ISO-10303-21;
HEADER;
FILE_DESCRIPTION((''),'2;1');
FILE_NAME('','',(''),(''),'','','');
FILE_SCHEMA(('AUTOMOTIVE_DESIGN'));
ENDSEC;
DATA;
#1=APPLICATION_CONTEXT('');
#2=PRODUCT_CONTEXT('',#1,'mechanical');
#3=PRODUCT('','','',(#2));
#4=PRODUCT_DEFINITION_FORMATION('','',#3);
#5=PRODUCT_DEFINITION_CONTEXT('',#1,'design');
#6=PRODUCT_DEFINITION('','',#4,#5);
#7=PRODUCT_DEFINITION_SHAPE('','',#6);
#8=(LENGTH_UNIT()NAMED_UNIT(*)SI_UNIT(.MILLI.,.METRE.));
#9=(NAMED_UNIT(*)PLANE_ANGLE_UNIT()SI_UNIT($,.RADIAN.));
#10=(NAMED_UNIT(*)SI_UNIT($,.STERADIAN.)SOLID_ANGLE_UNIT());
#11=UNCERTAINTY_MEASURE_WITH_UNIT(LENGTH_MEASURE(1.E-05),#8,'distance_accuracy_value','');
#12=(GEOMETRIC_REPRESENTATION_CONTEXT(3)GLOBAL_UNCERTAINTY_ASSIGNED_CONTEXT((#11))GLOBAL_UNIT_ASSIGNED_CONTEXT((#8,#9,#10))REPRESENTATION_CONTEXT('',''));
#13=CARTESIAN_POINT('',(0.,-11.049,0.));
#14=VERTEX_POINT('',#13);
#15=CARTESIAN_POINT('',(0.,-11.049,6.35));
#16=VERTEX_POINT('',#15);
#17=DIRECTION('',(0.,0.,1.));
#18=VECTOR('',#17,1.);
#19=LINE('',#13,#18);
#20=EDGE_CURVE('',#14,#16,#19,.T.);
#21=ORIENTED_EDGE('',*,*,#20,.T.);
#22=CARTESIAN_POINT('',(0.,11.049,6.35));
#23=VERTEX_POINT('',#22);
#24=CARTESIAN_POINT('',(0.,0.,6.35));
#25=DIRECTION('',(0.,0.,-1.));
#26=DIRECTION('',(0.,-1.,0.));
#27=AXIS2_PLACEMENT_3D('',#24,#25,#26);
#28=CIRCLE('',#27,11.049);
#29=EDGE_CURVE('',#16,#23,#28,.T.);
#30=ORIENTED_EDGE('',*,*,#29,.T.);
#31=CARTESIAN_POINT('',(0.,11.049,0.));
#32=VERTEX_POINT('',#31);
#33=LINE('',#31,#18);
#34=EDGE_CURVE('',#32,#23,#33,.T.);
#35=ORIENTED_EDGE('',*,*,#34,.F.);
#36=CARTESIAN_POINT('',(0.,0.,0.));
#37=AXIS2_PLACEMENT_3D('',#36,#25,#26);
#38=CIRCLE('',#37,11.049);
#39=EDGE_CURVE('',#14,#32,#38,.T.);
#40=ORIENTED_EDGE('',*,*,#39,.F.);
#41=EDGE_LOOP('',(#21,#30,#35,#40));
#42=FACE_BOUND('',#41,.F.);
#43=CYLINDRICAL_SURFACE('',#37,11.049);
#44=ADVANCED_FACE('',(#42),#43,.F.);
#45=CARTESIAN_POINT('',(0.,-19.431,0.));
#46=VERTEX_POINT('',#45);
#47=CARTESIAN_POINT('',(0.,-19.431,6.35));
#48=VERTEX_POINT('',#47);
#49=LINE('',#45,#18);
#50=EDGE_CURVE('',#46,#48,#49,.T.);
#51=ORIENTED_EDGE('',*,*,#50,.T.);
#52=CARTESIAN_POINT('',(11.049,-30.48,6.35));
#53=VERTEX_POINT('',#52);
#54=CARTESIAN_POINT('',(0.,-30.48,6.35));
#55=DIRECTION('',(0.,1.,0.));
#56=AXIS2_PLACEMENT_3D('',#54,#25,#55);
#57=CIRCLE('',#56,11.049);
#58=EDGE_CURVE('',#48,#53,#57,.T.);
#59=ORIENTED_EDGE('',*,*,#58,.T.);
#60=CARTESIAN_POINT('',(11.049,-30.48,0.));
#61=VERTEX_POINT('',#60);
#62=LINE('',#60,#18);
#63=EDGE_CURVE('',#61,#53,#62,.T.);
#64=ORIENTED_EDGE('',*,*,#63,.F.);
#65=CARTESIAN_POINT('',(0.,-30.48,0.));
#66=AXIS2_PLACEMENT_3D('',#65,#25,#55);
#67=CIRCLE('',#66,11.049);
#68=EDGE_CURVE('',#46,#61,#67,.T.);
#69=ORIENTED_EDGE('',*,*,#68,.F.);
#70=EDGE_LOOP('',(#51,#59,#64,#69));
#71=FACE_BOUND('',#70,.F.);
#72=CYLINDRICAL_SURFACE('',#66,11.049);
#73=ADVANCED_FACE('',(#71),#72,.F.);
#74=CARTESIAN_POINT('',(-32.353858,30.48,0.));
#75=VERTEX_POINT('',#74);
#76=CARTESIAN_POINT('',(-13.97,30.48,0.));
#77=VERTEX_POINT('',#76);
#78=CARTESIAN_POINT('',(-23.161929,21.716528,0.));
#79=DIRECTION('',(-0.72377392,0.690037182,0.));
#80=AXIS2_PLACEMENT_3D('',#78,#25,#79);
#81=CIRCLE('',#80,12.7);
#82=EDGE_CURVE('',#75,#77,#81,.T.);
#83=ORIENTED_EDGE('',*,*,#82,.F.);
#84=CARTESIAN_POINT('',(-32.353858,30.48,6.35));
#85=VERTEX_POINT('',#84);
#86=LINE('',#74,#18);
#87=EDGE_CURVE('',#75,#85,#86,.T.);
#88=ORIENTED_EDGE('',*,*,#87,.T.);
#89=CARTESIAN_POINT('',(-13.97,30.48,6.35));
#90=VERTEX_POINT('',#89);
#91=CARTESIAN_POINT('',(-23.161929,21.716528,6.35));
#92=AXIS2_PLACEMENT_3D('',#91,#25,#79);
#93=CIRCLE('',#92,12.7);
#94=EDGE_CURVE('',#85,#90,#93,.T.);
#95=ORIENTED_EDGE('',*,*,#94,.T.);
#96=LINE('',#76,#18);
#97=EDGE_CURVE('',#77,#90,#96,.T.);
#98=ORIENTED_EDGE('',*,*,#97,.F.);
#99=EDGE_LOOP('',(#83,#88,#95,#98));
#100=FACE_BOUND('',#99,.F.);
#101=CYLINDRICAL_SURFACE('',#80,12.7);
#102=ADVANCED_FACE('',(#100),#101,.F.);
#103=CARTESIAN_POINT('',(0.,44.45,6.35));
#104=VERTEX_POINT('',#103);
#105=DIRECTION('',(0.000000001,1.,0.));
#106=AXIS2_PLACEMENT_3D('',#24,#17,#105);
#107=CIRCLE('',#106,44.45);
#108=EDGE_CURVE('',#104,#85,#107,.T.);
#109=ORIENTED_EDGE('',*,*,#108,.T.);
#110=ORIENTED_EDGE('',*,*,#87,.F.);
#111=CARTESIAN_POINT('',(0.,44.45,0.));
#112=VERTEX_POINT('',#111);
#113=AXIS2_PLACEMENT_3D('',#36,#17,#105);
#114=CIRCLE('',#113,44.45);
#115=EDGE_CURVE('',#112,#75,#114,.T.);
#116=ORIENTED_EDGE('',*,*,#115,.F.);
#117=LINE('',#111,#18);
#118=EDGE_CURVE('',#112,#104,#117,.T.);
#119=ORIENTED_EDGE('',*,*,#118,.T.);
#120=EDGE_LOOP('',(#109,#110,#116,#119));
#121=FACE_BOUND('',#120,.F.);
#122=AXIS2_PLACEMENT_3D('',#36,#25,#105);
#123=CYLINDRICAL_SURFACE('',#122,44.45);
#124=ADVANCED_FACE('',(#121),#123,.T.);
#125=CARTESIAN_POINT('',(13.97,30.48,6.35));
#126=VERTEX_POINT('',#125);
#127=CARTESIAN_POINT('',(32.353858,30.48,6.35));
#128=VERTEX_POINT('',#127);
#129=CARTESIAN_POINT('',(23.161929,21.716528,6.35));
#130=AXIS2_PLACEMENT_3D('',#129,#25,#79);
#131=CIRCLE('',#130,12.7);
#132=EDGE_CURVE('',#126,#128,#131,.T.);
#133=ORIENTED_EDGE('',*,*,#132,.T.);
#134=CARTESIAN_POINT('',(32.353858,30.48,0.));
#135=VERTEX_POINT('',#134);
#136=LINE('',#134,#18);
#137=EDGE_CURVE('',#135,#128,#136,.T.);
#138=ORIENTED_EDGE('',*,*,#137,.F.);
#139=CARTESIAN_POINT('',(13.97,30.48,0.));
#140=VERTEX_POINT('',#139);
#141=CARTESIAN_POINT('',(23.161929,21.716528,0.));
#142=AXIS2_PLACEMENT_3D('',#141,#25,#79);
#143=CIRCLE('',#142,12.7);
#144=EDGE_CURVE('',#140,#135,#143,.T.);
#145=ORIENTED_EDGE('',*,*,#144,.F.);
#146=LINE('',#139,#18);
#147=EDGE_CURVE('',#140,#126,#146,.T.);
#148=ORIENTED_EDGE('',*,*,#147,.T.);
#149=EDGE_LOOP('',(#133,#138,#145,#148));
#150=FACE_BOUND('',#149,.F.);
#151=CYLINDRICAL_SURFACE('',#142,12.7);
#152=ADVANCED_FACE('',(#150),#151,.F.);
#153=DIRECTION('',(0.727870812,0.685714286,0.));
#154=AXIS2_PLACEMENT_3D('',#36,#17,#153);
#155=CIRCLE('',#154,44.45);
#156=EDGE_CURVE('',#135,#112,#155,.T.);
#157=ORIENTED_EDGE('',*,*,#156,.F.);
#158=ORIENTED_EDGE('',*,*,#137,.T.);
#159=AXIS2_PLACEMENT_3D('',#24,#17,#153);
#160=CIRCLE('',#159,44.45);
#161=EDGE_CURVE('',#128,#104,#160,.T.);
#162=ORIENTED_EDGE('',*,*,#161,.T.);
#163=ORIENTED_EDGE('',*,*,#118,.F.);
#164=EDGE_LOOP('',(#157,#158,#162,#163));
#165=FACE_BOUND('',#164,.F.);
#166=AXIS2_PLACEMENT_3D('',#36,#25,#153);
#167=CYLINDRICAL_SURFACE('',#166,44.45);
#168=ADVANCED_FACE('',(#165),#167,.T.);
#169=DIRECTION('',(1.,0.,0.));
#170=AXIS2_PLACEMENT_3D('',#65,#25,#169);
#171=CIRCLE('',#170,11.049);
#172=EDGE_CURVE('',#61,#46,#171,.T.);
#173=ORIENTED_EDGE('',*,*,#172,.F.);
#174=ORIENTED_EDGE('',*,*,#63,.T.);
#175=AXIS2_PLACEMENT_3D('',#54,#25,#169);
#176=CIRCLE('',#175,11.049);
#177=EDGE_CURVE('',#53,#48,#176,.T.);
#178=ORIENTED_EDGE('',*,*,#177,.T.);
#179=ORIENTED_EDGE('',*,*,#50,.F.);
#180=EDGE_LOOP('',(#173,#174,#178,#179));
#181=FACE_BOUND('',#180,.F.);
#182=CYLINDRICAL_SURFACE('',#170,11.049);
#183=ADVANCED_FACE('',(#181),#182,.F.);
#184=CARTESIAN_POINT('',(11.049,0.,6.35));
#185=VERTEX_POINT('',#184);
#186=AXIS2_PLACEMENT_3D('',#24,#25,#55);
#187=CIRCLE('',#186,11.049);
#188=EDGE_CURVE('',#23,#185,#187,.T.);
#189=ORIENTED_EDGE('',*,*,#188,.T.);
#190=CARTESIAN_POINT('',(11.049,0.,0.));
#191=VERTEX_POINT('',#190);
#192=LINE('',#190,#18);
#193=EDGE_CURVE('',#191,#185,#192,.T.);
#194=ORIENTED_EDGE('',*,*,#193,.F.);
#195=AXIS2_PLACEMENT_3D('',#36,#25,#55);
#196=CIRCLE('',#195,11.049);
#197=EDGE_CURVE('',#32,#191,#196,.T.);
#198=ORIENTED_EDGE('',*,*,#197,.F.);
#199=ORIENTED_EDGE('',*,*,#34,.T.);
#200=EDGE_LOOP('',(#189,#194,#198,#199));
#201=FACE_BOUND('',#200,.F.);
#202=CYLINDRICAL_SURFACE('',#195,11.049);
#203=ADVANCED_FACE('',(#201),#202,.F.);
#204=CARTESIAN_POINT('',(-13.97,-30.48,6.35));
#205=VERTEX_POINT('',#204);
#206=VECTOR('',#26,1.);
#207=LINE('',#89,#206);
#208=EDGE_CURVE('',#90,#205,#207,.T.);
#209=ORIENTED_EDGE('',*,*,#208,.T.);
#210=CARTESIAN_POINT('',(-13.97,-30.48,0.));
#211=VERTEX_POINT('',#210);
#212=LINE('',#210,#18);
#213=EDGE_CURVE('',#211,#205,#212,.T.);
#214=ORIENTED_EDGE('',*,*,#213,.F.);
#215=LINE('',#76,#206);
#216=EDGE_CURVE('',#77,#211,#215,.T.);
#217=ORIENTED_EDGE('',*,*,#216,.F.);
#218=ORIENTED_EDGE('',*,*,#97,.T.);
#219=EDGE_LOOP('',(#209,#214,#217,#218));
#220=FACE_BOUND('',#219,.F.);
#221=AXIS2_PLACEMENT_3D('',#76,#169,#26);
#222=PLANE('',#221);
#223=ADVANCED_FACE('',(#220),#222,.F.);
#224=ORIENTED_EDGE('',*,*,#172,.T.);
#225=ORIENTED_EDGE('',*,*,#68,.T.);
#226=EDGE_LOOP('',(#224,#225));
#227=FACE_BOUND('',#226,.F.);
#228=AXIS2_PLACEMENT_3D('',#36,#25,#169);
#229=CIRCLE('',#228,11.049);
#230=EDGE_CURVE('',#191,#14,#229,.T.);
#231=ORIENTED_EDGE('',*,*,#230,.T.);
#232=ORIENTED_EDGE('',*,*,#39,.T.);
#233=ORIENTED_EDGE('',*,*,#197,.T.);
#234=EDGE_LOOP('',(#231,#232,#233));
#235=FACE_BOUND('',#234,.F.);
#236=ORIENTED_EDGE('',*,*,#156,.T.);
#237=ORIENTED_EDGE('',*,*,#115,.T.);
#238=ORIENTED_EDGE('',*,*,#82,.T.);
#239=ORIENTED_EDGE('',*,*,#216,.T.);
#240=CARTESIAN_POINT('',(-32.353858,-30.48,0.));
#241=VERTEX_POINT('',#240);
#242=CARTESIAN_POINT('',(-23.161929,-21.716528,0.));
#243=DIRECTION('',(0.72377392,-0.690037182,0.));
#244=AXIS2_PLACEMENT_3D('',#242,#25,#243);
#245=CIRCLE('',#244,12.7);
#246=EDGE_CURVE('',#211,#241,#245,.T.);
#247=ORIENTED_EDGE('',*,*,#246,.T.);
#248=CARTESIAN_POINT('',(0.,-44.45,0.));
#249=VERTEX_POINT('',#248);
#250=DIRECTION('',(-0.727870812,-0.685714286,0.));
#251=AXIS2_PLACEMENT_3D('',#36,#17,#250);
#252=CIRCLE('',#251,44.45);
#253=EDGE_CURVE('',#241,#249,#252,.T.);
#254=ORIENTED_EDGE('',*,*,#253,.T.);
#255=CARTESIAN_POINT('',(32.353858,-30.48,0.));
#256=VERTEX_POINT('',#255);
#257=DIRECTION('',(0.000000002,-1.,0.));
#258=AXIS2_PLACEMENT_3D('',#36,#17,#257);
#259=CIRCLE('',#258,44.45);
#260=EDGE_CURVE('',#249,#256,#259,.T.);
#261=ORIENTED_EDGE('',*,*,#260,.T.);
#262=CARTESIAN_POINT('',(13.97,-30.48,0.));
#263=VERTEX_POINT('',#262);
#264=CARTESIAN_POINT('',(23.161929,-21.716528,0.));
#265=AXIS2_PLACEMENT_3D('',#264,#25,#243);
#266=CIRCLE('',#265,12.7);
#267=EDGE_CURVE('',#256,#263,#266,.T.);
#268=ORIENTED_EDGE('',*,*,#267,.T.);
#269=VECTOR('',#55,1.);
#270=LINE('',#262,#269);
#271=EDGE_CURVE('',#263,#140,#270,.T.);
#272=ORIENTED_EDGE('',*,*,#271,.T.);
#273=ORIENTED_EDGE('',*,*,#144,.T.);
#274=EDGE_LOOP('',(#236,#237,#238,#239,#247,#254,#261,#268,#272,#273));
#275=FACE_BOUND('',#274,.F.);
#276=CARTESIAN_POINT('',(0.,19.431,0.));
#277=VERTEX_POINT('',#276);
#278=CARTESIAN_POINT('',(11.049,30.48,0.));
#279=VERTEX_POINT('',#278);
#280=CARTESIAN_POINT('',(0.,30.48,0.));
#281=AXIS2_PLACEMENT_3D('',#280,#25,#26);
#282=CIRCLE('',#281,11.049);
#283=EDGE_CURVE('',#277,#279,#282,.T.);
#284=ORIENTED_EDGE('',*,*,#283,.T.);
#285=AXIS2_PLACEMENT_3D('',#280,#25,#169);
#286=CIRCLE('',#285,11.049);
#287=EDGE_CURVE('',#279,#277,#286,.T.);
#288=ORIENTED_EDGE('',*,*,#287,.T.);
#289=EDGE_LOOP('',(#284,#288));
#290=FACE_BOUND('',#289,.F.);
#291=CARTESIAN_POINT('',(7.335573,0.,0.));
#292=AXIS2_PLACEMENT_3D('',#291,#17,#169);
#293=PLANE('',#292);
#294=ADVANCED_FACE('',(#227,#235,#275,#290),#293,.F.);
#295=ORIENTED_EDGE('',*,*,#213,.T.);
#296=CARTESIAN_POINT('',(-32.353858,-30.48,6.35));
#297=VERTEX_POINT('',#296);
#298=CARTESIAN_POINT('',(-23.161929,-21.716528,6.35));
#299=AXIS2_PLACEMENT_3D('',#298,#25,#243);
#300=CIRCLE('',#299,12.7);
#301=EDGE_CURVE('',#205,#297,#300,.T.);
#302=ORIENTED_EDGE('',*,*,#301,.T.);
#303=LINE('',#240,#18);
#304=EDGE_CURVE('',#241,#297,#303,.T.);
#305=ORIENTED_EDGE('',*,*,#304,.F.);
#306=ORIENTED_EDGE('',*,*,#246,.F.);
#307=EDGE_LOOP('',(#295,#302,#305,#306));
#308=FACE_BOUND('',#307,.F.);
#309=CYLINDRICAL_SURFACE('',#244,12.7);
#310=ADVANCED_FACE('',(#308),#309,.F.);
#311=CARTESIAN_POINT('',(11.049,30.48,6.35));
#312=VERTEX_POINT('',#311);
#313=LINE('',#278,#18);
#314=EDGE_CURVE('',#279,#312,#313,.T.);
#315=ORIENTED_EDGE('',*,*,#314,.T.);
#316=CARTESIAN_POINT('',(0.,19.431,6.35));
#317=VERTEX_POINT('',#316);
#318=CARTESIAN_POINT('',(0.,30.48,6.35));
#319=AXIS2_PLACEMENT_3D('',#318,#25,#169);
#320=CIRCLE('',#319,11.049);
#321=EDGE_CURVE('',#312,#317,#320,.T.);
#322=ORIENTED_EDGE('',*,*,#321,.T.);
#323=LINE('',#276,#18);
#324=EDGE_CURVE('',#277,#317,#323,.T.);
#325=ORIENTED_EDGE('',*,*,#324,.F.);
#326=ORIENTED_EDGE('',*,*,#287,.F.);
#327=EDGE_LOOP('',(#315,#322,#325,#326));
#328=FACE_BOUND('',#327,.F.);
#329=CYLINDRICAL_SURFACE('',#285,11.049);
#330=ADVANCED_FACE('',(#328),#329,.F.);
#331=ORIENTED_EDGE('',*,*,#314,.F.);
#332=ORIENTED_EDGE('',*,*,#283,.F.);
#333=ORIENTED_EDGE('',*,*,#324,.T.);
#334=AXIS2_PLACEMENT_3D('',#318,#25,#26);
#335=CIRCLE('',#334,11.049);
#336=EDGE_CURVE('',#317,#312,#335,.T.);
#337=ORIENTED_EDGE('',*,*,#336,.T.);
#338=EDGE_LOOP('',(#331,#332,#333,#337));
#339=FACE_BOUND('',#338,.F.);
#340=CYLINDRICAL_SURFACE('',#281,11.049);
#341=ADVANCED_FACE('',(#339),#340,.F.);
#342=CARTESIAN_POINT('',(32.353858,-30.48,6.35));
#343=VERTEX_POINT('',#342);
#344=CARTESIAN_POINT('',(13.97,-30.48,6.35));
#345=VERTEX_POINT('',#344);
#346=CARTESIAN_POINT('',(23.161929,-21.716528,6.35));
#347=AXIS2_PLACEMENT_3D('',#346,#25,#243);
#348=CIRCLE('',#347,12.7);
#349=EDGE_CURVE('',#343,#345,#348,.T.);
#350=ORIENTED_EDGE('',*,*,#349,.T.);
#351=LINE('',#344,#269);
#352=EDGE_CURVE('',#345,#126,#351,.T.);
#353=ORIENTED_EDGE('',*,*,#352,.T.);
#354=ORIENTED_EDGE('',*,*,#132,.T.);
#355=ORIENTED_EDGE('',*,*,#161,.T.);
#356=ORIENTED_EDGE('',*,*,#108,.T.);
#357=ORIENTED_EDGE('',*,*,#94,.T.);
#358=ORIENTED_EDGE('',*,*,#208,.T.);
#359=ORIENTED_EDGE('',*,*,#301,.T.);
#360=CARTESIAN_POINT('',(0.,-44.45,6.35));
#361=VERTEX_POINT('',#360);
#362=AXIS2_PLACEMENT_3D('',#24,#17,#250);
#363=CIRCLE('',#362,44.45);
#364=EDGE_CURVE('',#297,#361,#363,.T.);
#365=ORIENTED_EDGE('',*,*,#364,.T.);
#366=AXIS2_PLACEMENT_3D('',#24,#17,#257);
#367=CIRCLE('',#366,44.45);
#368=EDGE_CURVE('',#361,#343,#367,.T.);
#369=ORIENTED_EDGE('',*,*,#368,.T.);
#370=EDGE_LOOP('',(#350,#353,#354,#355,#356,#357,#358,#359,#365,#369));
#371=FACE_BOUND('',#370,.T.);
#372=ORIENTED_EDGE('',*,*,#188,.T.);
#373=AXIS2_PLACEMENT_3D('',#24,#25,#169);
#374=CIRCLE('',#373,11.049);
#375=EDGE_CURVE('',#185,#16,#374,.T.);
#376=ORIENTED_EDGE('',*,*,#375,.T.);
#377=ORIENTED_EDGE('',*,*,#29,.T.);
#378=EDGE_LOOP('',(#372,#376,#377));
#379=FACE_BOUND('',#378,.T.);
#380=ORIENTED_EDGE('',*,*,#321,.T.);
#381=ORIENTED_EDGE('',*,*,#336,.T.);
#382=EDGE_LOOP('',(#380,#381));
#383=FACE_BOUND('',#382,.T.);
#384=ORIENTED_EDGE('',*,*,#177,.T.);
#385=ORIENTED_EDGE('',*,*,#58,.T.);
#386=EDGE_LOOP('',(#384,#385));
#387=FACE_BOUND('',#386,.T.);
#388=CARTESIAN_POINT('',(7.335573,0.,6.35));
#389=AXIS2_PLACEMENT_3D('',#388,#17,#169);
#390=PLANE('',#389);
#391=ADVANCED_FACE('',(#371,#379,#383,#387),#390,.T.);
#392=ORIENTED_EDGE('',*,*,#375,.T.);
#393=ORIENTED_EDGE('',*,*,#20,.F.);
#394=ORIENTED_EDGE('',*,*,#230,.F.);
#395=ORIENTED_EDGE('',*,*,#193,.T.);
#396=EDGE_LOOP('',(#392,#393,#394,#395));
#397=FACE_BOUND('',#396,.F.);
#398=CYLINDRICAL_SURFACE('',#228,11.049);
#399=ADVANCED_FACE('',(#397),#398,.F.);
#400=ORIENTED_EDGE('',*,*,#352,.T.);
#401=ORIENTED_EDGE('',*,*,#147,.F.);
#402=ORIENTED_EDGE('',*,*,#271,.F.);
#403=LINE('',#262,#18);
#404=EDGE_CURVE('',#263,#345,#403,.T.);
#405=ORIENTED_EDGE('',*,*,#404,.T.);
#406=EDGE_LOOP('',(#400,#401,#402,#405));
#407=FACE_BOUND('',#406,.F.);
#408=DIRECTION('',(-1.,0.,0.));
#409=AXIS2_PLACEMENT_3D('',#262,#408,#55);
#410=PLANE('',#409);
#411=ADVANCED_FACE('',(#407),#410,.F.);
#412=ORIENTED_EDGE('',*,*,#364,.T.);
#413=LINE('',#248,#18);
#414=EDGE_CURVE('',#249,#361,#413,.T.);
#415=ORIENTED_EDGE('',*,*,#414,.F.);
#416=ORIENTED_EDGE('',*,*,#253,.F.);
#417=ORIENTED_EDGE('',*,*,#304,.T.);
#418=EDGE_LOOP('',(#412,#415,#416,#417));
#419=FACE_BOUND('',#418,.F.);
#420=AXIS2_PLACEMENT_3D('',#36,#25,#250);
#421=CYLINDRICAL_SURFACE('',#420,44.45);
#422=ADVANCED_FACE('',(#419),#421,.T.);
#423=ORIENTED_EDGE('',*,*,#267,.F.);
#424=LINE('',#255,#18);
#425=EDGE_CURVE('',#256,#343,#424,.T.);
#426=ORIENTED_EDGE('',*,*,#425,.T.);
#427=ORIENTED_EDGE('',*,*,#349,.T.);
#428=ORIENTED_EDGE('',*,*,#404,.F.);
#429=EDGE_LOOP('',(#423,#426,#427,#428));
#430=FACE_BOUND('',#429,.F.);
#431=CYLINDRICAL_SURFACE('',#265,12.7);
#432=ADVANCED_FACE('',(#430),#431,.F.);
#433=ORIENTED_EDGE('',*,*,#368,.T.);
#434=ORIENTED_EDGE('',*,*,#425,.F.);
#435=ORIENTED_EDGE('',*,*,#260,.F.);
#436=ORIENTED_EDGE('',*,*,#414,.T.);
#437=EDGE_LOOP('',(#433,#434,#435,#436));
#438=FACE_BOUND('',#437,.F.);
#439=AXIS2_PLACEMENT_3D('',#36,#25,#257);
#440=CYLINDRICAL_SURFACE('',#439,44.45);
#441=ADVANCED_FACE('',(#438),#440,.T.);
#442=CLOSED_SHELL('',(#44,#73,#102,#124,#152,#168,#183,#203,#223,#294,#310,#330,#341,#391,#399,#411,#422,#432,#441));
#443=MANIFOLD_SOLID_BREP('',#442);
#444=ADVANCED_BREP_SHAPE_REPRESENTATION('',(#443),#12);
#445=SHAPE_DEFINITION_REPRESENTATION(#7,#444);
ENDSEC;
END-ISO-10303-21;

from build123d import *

# Parameters (mm, degrees)
F1_DEPTH = 6.35


with BuildPart() as f1:
    # F0 (on Top) → F1 (new body)
    with BuildSketch(Plane.XY):
        with BuildLine():
            ThreePointArc((0, 11.049), (7.8128228253, 7.8128228253), (11.049, 0))
            ThreePointArc((11.049, 0), (7.8128228253, -7.8128228253), (0, -11.049))
            Line((0, -11.049), (0, -13.97))
            ThreePointArc((0, -13.97), (9.8782817332, -9.8782817332), (13.97, 0))
            ThreePointArc((13.97, 0), (9.8782817332, 9.8782817332), (0, 13.97))
            Line((0, 13.97), (0, 11.049))
        make_face()
        with BuildLine():
            ThreePointArc((0, -11.049), (-11.049, 0), (0, 11.049))
            Line((0, 11.049), (0, 13.97))
            ThreePointArc((0, 13.97), (-9.8782817332, 9.8782817332), (-13.97, 0))
            ThreePointArc((-13.97, 0), (-9.8782817332, -9.8782817332), (0, -13.97))
            Line((0, -13.97), (0, -11.049))
        make_face()
        with BuildLine():
            Line((0, 16.51), (0, 13.97))
            ThreePointArc((0, 13.97), (9.8782817332, 9.8782817332), (13.97, 0))
            Line((13.97, 0), (13.97, 30.48))
            ThreePointArc((13.97, 30.48), (9.8782817332, 20.6017182668), (0, 16.51))
        make_face()
        with BuildLine():
            ThreePointArc((-13.97, 0), (-9.8782817332, 9.8782817332), (0, 13.97))
            Line((0, 13.97), (0, 16.51))
            ThreePointArc((0, 16.51), (-9.8782817332, 20.6017182668), (-13.97, 30.48))
            Line((-13.97, 30.48), (-13.97, 0))
        make_face()
        with BuildLine():
            Line((0, -16.51), (0, -13.97))
            ThreePointArc((0, -13.97), (-9.8782817332, -9.8782817332), (-13.97, 0))
            Line((-13.97, 0), (-13.97, -30.48))
            ThreePointArc((-13.97, -30.48), (-9.8782817332, -20.6017182668), (0, -16.51))
        make_face()
        with BuildLine():
            ThreePointArc((13.97, 0), (9.8782817332, -9.8782817332), (0, -13.97))
            Line((0, -13.97), (0, -16.51))
            ThreePointArc((0, -16.51), (9.8782817332, -20.6017182668), (13.97, -30.48))
            Line((13.97, -30.48), (13.97, 0))
        make_face()
        with BuildLine():
            ThreePointArc((-13.97, 30.48), (-9.8782817332, 20.6017182668), (0, 16.51))
            ThreePointArc((0, 16.51), (9.8782817332, 20.6017182668), (13.97, 30.48))
            ThreePointArc((13.97, 30.48), (9.8782817459, 40.3582817204), (3.6e-08, 44.45))
            ThreePointArc((3.6e-08, 44.45), (-9.8782817204, 40.3582817459), (-13.97, 30.48))
        make_face()
        with BuildLine():
            ThreePointArc((11.049, 30.48), (7.8128228253, 22.6671771747), (0, 19.431))
            ThreePointArc((0, 19.431), (-7.8128228253, 38.2928228253), (11.049, 30.48))
        make_face(mode=Mode.SUBTRACT)
        with BuildLine():
            ThreePointArc((13.97, -30.48), (9.8782817332, -20.6017182668), (0, -16.51))
            ThreePointArc((0, -16.51), (-9.8782817332, -20.6017182668), (-13.97, -30.48))
            ThreePointArc((-13.97, -30.48), (-9.8782817062, -40.3582817602), (7.63e-08, -44.45))
            ThreePointArc((7.63e-08, -44.45), (9.8782817602, -40.3582817062), (13.97, -30.48))
        make_face()
        with BuildLine():
            ThreePointArc((11.049, -30.48), (-7.8128228253, -38.2928228253), (0, -19.431))
            ThreePointArc((0, -19.431), (7.8128228253, -22.6671771747), (11.049, -30.48))
        make_face(mode=Mode.SUBTRACT)
        with BuildLine():
            ThreePointArc((3.6e-08, 44.45), (9.8782817459, 40.3582817204), (13.97, 30.48))
            ThreePointArc((13.97, 30.48), (23.1619287876, 34.4165277907), (32.3538575753, 30.48))
            ThreePointArc((32.3538575753, 30.48), (17.6205349119, 40.808323286), (3.6e-08, 44.45))
        make_face()
        with BuildLine():
            ThreePointArc((32.3538575753, -30.48), (23.1619287876, -34.4165277907), (13.97, -30.48))
            ThreePointArc((13.97, -30.48), (9.8782817602, -40.3582817062), (7.63e-08, -44.45))
            ThreePointArc((7.63e-08, -44.45), (17.6205349304, -40.808323278), (32.3538575753, -30.48))
        make_face()
        with BuildLine():
            ThreePointArc((7.63e-08, -44.45), (-9.8782817062, -40.3582817602), (-13.97, -30.48))
            ThreePointArc((-13.97, -30.48), (-23.1619287876, -34.4165277907), (-32.3538575753, -30.48))
            ThreePointArc((-32.3538575753, -30.48), (-17.6205348604, -40.8083233083), (7.63e-08, -44.45))
        make_face()
        with BuildLine():
            ThreePointArc((-32.3538575753, 30.48), (-23.1619287876, 34.4165277907), (-13.97, 30.48))
            ThreePointArc((-13.97, 30.48), (-9.8782817204, 40.3582817459), (3.6e-08, 44.45))
            ThreePointArc((3.6e-08, 44.45), (-17.6205348789, 40.8083233003), (-32.3538575753, 30.48))
        make_face()
    extrude(amount=F1_DEPTH)


solid = f1.part
